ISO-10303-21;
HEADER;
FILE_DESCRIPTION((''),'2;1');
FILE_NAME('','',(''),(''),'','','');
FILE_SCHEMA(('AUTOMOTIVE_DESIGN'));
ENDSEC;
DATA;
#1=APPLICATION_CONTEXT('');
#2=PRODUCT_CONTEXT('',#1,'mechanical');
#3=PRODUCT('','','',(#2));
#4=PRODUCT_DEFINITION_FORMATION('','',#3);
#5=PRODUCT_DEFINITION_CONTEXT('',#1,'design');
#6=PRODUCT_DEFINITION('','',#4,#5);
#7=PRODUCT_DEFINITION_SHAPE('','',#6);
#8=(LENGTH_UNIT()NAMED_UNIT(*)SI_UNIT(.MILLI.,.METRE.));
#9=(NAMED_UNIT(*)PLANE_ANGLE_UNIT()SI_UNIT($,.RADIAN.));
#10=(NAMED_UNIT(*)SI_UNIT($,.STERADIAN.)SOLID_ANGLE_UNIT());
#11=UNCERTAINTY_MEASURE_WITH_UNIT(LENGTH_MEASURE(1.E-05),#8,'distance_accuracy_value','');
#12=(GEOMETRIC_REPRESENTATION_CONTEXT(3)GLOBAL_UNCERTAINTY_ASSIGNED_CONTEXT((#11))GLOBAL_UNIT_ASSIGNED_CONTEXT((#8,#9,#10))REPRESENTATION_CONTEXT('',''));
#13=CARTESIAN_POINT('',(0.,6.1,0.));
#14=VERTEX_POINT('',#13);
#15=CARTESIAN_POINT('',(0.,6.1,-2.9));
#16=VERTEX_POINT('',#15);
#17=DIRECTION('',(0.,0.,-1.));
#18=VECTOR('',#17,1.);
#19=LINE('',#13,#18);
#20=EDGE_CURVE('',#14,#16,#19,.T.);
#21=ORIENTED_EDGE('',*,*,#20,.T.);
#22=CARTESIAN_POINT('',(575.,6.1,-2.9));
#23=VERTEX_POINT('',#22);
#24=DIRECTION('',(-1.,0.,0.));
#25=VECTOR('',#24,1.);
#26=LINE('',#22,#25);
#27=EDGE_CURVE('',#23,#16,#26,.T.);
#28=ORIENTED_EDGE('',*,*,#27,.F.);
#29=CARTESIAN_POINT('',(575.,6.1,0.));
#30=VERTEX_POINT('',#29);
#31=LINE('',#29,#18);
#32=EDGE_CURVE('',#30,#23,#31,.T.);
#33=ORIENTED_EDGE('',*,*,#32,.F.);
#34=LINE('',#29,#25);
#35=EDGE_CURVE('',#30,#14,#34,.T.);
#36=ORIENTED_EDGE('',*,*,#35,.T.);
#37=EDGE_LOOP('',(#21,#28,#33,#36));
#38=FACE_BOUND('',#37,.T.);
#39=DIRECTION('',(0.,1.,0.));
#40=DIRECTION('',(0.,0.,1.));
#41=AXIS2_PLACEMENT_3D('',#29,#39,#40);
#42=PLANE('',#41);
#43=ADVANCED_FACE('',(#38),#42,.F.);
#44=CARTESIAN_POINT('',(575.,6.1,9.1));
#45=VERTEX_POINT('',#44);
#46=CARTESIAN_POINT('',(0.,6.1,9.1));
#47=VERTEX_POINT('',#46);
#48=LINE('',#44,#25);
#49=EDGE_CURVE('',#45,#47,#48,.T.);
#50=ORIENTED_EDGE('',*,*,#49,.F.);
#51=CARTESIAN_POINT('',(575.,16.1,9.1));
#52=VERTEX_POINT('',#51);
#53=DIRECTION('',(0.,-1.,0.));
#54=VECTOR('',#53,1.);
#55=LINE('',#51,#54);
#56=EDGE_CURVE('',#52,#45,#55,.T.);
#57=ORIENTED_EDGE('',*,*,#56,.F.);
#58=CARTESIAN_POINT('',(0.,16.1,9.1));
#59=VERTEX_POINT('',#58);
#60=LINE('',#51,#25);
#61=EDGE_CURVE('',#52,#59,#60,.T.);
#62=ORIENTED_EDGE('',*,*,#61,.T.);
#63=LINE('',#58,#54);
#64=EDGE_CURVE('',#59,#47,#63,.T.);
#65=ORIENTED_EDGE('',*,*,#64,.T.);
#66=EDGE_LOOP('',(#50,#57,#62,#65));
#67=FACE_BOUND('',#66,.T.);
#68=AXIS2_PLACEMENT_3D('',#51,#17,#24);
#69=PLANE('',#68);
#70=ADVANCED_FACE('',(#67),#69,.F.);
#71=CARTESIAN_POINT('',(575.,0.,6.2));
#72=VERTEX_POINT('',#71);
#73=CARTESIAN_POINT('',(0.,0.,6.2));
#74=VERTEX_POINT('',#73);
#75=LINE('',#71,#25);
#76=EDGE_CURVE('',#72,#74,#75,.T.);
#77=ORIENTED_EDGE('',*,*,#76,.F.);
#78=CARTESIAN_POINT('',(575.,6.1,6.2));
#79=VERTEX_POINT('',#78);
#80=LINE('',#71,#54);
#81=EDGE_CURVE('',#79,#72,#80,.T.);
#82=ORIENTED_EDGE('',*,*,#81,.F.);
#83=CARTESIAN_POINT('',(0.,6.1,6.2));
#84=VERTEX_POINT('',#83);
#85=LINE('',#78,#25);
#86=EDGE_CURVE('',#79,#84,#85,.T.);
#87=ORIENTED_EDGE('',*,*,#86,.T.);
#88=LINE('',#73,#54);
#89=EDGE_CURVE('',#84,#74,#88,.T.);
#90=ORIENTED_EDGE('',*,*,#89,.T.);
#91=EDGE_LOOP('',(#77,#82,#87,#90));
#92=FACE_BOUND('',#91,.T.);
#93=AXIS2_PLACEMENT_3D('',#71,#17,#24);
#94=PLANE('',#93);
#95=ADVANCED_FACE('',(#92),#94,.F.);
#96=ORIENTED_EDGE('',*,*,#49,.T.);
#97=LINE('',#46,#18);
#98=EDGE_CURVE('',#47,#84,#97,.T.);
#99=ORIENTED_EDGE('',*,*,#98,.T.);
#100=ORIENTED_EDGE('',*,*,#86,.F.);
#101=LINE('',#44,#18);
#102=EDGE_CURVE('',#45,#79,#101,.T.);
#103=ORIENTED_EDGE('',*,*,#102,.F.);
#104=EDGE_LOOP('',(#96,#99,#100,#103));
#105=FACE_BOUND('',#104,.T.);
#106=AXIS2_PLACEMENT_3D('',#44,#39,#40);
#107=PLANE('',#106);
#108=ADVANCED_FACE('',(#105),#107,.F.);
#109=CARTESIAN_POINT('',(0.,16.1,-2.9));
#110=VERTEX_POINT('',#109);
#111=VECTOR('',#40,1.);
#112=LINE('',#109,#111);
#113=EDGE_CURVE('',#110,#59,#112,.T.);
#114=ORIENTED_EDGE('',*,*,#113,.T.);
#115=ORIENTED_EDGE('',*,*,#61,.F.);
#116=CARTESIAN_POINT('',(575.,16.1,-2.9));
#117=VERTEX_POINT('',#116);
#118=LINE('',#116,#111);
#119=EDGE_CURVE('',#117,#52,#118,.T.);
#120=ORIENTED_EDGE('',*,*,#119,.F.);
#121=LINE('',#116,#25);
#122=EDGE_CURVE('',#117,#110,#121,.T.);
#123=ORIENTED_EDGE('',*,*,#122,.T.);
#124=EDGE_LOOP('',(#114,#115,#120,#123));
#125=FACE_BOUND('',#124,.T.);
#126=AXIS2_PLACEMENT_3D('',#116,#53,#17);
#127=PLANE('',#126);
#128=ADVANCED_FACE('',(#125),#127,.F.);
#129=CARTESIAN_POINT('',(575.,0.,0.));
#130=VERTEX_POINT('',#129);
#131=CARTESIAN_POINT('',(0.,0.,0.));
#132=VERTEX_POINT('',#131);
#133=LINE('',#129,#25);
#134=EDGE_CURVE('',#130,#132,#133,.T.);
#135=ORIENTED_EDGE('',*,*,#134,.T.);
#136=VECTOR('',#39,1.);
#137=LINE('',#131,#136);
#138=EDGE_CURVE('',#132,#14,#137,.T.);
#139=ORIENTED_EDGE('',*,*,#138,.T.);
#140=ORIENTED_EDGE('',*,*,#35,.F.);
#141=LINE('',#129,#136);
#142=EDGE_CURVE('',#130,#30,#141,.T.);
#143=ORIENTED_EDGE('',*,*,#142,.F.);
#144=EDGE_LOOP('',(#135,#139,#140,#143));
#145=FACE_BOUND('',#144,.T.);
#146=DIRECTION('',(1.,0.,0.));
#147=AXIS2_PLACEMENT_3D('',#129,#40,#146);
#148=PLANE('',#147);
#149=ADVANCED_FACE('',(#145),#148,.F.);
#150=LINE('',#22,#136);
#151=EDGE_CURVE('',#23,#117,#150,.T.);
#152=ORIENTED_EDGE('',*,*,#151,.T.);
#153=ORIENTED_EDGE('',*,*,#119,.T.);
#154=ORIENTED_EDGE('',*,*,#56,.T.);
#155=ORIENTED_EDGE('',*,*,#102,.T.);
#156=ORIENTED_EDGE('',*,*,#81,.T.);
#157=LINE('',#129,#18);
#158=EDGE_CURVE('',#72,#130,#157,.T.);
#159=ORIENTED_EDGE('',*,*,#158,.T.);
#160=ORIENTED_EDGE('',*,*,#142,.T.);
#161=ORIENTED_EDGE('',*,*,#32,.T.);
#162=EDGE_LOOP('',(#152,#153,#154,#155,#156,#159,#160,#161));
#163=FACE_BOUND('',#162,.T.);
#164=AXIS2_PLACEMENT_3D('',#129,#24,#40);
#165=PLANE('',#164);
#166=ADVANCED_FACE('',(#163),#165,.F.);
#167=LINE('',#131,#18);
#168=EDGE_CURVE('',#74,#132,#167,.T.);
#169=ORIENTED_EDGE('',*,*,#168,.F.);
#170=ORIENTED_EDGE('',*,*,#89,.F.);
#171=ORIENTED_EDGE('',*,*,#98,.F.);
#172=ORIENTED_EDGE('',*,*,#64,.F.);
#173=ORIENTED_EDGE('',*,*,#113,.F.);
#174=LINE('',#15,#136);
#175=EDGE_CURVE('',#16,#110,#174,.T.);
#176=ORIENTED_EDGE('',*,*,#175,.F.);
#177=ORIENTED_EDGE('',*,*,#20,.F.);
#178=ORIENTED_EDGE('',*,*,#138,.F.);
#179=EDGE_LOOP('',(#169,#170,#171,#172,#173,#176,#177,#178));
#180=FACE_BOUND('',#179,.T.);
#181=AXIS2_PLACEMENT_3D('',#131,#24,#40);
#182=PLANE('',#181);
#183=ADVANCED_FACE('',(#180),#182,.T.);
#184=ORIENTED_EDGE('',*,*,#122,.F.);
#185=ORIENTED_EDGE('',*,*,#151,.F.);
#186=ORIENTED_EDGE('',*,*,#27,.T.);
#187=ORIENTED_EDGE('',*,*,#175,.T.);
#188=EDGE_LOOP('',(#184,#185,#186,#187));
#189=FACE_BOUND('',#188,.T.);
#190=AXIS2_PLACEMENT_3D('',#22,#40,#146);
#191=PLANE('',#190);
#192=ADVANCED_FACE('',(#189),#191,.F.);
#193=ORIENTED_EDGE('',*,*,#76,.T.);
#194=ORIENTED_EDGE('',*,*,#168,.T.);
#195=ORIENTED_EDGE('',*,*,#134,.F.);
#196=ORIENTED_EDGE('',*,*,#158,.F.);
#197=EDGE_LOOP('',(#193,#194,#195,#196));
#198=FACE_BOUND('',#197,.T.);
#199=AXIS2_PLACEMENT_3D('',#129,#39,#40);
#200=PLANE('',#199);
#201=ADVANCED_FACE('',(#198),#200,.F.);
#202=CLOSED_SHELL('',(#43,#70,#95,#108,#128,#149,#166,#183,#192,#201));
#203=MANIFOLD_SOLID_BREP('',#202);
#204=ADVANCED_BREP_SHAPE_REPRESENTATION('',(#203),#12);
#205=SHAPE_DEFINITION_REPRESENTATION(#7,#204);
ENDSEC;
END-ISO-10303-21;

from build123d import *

# Parameters (mm, degrees)
EXTRUDE_1_DEPTH = 575


with BuildPart() as part:
    # 草图1 → 凸台-拉伸1 (new body)
    with BuildSketch(Plane(origin=(0, 0, 0), x_dir=(0, 0, -1), z_dir=(1, 0, 0))):
        Polygon((0, 6.1), (2.9, 6.1), (2.9, 16.1), (-9.1, 16.1), (-9.1, 6.1), (-6.2, 6.1), (-6.2, 0), (0, 0), align=None)
    extrude(amount=EXTRUDE_1_DEPTH)


solid = part.part
